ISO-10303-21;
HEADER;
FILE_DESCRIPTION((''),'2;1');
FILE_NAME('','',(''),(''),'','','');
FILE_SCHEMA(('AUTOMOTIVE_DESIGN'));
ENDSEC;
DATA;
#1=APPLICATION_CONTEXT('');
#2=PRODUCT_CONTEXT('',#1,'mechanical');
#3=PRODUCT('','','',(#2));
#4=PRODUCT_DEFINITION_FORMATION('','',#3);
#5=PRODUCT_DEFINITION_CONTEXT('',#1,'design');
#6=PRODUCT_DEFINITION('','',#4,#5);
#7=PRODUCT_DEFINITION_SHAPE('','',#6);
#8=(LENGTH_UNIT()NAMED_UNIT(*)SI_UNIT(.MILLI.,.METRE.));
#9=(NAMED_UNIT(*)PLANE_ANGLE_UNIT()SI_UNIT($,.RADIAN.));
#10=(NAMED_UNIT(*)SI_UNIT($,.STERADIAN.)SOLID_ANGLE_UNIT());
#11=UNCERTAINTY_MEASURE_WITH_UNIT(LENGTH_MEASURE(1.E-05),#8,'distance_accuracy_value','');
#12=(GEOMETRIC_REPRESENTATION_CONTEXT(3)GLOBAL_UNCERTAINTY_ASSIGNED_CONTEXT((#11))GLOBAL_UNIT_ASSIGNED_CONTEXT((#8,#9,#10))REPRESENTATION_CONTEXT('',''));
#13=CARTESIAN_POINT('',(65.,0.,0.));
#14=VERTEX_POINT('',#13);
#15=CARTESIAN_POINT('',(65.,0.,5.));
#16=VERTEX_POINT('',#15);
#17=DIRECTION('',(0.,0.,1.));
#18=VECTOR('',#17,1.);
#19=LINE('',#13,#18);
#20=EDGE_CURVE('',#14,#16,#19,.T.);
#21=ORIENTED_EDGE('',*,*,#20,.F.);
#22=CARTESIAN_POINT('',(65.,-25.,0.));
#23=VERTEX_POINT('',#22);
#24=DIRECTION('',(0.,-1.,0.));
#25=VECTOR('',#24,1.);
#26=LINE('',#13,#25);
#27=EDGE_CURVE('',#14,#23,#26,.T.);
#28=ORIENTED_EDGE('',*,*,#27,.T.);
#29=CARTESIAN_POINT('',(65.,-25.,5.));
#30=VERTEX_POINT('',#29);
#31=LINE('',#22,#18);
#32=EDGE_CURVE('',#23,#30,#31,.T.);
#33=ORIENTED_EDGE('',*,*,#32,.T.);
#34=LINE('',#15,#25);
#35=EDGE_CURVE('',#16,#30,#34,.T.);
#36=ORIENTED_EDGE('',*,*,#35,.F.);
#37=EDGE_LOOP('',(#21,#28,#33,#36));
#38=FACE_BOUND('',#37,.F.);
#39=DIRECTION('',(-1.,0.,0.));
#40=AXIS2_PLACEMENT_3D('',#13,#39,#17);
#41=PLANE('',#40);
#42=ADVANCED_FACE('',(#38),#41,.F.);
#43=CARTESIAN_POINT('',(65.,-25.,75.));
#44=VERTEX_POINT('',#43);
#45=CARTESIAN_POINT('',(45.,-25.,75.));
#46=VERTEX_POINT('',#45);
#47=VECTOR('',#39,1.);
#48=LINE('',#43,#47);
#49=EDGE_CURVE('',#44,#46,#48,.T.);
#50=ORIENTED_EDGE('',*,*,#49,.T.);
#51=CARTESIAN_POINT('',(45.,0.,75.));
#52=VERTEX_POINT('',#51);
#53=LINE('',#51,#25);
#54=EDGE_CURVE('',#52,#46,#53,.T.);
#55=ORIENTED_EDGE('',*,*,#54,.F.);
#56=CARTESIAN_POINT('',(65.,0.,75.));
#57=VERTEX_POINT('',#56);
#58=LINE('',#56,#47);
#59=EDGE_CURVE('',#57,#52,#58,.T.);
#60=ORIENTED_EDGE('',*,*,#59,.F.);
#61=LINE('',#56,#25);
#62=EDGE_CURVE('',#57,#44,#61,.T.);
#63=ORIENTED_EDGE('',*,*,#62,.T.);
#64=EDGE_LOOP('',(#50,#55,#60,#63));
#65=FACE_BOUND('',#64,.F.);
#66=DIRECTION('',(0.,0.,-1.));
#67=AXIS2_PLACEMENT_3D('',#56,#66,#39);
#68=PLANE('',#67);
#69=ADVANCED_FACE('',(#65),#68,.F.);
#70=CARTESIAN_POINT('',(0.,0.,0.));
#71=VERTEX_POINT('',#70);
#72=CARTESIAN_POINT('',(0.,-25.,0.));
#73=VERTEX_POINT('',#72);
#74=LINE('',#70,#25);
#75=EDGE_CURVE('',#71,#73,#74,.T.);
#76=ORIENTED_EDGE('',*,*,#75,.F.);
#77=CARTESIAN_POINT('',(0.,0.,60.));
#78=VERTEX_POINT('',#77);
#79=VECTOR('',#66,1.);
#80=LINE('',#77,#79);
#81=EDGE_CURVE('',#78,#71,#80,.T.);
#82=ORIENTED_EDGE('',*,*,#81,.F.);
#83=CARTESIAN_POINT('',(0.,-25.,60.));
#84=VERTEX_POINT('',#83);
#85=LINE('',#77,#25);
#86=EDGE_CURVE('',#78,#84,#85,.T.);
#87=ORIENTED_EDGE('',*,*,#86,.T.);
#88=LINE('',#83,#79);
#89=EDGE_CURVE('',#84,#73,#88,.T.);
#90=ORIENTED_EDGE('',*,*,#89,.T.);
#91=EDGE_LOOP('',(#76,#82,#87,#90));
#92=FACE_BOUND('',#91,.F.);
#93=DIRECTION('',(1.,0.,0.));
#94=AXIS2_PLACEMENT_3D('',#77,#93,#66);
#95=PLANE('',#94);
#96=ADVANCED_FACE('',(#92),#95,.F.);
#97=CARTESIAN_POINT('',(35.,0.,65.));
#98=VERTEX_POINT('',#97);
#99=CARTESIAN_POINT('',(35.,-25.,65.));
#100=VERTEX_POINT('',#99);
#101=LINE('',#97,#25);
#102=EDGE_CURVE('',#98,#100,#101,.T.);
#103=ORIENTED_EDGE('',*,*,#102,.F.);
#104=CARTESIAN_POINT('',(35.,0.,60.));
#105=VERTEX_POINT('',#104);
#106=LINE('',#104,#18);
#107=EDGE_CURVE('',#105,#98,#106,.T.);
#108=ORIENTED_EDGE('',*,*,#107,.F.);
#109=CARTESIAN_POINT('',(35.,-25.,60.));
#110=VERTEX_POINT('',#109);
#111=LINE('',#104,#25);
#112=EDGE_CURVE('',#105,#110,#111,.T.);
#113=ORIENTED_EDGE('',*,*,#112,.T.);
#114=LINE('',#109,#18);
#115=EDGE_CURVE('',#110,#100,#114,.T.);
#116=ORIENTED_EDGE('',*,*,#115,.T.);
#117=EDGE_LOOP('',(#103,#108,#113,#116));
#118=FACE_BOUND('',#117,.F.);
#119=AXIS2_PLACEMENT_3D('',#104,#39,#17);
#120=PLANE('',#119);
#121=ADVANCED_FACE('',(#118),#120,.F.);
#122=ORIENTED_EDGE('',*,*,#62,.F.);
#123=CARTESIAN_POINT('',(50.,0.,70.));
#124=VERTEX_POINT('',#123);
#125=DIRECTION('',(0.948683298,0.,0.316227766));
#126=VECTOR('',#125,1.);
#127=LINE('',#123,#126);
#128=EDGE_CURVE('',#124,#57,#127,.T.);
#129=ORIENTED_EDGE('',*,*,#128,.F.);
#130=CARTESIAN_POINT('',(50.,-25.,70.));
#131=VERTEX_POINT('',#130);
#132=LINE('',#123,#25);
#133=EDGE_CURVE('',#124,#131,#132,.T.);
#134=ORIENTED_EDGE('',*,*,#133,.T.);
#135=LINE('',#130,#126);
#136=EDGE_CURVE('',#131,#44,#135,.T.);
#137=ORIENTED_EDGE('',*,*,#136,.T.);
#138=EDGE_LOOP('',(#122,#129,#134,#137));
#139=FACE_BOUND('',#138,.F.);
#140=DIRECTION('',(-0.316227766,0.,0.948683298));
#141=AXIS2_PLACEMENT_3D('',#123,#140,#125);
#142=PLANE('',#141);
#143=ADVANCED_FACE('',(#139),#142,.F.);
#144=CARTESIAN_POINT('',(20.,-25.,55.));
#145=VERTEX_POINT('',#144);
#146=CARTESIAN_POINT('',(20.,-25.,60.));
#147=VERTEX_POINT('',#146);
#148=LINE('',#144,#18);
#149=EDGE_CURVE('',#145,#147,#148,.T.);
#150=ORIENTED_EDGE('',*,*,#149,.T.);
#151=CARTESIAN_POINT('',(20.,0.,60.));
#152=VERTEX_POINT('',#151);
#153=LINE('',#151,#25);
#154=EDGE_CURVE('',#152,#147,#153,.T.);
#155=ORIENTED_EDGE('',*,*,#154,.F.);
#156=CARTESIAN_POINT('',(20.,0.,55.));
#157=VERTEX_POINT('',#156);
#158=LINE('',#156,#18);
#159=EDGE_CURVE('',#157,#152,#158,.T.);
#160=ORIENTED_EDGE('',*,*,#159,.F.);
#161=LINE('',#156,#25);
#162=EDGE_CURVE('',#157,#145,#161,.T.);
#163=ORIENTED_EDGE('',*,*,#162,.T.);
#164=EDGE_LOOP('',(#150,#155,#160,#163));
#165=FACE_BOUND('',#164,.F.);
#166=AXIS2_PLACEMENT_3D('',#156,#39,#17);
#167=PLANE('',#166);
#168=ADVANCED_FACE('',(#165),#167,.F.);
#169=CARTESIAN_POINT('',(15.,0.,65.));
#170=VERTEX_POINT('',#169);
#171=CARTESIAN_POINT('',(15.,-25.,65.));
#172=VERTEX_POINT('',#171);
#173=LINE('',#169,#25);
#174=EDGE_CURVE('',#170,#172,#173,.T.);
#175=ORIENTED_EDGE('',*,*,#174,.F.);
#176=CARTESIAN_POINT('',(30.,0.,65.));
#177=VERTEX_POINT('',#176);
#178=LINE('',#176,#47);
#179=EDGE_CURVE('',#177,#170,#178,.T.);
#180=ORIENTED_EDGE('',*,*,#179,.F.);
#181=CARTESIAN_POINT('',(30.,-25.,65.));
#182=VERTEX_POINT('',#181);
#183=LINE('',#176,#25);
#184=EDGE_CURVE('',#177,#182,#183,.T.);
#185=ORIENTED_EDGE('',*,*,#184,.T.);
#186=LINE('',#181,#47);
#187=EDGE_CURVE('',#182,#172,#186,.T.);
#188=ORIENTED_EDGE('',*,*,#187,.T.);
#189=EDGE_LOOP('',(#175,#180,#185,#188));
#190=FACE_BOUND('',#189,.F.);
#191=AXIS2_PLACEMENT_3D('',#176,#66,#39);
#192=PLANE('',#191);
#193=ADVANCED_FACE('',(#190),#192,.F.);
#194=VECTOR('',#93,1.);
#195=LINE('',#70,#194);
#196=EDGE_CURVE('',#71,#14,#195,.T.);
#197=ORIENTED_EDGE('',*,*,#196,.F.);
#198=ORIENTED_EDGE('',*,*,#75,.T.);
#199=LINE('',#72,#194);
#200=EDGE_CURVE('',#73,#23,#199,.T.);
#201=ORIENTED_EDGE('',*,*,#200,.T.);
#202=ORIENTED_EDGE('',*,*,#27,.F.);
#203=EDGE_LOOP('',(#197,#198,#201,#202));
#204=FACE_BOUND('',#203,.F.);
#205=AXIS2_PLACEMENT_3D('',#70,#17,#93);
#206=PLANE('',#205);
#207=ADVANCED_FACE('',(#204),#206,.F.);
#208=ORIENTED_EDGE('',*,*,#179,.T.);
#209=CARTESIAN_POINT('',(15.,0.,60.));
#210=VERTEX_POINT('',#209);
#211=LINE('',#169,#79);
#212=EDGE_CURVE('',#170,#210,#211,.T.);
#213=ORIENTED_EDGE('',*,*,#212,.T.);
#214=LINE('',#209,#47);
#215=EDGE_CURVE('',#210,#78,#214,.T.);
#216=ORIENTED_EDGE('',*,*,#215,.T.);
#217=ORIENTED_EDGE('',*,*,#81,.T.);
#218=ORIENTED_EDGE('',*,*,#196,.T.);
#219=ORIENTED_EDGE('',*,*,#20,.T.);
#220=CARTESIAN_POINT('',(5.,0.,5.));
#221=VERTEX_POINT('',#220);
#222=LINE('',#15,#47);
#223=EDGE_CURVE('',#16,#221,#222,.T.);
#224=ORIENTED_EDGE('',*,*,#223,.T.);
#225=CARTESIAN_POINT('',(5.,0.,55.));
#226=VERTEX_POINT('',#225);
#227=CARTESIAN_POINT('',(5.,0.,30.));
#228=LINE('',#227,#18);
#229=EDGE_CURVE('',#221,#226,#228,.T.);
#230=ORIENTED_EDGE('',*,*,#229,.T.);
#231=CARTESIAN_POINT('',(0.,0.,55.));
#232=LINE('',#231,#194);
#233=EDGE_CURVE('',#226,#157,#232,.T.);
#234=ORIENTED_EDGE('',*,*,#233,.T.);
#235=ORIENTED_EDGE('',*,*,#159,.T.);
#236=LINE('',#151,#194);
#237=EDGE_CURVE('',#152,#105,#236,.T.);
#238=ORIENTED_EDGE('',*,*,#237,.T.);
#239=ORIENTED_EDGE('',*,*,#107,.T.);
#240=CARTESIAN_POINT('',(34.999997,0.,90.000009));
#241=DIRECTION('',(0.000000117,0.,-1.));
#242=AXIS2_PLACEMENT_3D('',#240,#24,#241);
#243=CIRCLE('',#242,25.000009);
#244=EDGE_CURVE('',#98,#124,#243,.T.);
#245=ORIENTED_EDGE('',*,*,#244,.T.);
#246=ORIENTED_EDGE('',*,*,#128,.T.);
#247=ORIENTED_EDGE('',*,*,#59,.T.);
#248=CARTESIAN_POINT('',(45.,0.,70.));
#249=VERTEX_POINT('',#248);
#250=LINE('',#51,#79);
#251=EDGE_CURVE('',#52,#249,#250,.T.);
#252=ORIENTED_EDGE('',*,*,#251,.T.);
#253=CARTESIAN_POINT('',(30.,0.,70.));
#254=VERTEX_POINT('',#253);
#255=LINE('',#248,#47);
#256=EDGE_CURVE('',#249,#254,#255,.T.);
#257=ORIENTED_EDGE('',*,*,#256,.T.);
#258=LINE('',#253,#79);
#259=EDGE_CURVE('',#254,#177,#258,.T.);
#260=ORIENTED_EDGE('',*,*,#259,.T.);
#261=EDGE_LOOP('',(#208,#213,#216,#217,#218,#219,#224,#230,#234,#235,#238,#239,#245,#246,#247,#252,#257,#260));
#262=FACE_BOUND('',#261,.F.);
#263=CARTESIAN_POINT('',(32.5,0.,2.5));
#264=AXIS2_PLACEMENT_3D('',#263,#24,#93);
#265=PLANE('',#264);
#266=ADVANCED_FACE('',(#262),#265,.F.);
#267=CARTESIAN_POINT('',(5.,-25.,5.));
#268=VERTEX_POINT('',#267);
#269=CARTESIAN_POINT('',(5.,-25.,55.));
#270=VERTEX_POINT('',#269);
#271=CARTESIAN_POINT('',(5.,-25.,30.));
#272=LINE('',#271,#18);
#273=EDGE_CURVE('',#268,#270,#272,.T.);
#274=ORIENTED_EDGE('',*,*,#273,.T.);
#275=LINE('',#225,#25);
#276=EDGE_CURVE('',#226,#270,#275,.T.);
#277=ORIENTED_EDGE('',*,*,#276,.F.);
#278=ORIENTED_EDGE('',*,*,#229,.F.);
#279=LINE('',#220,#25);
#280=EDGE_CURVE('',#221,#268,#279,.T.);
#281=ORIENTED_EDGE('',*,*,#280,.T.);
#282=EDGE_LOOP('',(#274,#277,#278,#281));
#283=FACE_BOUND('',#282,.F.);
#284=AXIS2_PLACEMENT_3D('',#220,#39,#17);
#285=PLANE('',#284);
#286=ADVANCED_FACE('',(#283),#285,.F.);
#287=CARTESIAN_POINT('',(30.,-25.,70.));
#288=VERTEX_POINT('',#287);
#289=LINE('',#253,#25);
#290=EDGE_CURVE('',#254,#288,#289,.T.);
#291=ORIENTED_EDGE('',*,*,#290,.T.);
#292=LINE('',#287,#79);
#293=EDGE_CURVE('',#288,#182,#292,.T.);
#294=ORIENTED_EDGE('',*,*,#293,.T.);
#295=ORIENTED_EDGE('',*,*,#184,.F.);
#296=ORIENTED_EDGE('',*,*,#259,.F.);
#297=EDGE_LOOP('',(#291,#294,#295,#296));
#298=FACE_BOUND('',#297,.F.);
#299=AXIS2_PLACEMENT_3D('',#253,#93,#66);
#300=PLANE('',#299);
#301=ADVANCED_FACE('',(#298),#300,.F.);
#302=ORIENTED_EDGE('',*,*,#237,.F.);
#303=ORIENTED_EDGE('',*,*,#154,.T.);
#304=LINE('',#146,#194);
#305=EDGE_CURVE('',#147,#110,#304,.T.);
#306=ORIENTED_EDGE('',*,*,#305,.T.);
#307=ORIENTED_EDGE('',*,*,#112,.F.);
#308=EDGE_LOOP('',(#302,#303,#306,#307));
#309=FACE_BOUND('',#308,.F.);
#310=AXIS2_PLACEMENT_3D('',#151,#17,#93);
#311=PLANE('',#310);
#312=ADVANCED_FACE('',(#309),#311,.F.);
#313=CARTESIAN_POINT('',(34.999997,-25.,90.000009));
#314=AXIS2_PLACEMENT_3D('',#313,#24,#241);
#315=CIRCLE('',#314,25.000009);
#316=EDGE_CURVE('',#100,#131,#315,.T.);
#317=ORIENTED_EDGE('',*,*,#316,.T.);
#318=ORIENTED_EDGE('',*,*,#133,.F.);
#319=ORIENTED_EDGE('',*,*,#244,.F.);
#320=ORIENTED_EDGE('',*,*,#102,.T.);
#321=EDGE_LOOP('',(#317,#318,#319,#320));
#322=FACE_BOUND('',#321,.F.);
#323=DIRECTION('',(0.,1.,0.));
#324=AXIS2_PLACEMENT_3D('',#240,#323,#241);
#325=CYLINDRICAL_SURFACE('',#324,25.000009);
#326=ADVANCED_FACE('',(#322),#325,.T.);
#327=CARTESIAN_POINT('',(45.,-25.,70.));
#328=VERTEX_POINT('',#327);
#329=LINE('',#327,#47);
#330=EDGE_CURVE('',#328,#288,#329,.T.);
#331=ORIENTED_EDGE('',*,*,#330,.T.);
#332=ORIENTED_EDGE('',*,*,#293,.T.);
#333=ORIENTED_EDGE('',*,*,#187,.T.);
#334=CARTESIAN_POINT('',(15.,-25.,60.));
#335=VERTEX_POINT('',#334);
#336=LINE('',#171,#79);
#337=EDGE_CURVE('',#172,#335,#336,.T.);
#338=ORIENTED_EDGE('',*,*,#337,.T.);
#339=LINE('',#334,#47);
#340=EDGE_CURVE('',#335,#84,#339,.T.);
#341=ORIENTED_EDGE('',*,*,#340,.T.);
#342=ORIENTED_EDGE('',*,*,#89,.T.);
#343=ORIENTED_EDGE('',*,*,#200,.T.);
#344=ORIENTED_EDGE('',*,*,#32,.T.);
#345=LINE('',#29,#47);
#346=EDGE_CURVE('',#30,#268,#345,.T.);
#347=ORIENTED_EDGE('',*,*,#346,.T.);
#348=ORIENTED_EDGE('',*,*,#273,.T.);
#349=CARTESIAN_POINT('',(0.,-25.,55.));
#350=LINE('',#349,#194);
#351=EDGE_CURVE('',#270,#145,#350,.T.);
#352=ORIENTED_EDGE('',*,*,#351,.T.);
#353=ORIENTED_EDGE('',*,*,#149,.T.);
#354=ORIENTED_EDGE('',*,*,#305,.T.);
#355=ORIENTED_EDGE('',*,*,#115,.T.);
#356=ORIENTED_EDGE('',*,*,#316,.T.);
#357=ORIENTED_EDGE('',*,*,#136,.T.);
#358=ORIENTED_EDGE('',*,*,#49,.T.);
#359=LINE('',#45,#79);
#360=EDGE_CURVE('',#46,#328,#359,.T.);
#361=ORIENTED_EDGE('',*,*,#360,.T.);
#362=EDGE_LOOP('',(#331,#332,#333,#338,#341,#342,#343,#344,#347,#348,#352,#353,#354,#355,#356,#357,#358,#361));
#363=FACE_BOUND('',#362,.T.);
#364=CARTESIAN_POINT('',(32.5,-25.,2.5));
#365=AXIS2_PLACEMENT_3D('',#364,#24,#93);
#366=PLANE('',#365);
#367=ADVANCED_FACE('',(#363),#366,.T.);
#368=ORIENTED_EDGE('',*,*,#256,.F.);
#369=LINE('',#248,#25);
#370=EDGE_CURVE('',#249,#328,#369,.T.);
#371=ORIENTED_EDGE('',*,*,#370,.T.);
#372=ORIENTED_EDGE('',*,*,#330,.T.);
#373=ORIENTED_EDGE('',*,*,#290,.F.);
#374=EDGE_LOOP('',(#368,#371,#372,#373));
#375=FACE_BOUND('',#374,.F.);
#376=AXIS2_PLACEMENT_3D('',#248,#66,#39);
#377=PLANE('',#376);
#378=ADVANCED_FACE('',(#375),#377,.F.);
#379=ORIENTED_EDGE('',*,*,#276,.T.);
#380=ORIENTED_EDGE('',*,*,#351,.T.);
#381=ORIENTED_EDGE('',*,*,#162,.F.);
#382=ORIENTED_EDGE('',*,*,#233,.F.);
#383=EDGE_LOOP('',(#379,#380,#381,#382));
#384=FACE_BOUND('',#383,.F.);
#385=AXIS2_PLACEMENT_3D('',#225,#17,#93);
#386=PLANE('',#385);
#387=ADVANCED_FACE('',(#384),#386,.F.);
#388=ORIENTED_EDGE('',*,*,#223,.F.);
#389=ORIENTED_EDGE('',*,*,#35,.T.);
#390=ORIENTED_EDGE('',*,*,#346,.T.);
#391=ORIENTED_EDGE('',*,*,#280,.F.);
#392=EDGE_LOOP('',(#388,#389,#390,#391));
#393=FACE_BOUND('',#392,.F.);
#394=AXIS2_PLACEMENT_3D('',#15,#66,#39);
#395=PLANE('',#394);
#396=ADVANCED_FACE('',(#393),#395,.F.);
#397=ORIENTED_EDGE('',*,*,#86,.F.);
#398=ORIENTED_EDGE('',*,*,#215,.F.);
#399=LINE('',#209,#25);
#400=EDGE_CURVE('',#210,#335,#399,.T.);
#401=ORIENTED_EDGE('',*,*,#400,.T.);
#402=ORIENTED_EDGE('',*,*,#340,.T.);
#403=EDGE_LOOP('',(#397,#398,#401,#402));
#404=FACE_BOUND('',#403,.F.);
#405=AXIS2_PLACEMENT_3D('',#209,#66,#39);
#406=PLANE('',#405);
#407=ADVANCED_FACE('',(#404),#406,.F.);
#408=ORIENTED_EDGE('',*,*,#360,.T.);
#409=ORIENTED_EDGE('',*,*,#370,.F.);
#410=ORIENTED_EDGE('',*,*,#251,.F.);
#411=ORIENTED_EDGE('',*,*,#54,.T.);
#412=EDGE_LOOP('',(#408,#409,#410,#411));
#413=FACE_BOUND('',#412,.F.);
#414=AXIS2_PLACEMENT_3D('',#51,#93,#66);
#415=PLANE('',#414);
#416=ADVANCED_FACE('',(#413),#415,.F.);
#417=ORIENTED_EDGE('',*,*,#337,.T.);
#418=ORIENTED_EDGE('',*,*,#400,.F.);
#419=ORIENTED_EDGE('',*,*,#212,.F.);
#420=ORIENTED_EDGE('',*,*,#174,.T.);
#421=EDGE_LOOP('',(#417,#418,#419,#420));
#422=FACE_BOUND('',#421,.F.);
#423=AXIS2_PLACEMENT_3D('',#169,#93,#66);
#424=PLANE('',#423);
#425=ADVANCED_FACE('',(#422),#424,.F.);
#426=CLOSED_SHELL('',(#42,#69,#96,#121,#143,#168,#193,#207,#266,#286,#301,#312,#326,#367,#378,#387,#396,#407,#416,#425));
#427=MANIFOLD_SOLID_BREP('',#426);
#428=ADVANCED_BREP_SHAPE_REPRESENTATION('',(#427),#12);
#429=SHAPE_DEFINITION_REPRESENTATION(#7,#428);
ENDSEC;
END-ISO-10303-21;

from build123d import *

# Parameters (mm, degrees)
F0_W     = 5
F0_H     = 50
F1_DEPTH = 25


with BuildPart() as f1:
    # F0 (on Front) → F1 (new body)
    with BuildSketch(Plane.XZ):
        Polygon((0, 5), (0, 0), (65, 0), (65, 5), (5, 5), align=None)
        with Locations((2.5, 30)):
            Rectangle(F0_W, F0_H)
        with BuildLine():
            Line((0, 60), (0, 55))
            Line((0, 55), (5, 55))
            Line((5, 55), (20, 55))
            Line((20, 55), (20, 60))
            Line((20, 60), (35, 60))
            Line((35, 60), (35, 65))
            ThreePointArc((35, 65), (42.905694, 66.282918), (50, 70))
            Line((50, 70), (65, 75))
            Line((65, 75), (45, 75))
            Line((45, 75), (45, 70))
            Line((45, 70), (30, 70))
            Line((30, 70), (30, 65))
            Line((30, 65), (15, 65))
            Line((15, 65), (15, 60))
            Line((15, 60), (0, 60))
        make_face()
    extrude(amount=F1_DEPTH)


solid = f1.part
